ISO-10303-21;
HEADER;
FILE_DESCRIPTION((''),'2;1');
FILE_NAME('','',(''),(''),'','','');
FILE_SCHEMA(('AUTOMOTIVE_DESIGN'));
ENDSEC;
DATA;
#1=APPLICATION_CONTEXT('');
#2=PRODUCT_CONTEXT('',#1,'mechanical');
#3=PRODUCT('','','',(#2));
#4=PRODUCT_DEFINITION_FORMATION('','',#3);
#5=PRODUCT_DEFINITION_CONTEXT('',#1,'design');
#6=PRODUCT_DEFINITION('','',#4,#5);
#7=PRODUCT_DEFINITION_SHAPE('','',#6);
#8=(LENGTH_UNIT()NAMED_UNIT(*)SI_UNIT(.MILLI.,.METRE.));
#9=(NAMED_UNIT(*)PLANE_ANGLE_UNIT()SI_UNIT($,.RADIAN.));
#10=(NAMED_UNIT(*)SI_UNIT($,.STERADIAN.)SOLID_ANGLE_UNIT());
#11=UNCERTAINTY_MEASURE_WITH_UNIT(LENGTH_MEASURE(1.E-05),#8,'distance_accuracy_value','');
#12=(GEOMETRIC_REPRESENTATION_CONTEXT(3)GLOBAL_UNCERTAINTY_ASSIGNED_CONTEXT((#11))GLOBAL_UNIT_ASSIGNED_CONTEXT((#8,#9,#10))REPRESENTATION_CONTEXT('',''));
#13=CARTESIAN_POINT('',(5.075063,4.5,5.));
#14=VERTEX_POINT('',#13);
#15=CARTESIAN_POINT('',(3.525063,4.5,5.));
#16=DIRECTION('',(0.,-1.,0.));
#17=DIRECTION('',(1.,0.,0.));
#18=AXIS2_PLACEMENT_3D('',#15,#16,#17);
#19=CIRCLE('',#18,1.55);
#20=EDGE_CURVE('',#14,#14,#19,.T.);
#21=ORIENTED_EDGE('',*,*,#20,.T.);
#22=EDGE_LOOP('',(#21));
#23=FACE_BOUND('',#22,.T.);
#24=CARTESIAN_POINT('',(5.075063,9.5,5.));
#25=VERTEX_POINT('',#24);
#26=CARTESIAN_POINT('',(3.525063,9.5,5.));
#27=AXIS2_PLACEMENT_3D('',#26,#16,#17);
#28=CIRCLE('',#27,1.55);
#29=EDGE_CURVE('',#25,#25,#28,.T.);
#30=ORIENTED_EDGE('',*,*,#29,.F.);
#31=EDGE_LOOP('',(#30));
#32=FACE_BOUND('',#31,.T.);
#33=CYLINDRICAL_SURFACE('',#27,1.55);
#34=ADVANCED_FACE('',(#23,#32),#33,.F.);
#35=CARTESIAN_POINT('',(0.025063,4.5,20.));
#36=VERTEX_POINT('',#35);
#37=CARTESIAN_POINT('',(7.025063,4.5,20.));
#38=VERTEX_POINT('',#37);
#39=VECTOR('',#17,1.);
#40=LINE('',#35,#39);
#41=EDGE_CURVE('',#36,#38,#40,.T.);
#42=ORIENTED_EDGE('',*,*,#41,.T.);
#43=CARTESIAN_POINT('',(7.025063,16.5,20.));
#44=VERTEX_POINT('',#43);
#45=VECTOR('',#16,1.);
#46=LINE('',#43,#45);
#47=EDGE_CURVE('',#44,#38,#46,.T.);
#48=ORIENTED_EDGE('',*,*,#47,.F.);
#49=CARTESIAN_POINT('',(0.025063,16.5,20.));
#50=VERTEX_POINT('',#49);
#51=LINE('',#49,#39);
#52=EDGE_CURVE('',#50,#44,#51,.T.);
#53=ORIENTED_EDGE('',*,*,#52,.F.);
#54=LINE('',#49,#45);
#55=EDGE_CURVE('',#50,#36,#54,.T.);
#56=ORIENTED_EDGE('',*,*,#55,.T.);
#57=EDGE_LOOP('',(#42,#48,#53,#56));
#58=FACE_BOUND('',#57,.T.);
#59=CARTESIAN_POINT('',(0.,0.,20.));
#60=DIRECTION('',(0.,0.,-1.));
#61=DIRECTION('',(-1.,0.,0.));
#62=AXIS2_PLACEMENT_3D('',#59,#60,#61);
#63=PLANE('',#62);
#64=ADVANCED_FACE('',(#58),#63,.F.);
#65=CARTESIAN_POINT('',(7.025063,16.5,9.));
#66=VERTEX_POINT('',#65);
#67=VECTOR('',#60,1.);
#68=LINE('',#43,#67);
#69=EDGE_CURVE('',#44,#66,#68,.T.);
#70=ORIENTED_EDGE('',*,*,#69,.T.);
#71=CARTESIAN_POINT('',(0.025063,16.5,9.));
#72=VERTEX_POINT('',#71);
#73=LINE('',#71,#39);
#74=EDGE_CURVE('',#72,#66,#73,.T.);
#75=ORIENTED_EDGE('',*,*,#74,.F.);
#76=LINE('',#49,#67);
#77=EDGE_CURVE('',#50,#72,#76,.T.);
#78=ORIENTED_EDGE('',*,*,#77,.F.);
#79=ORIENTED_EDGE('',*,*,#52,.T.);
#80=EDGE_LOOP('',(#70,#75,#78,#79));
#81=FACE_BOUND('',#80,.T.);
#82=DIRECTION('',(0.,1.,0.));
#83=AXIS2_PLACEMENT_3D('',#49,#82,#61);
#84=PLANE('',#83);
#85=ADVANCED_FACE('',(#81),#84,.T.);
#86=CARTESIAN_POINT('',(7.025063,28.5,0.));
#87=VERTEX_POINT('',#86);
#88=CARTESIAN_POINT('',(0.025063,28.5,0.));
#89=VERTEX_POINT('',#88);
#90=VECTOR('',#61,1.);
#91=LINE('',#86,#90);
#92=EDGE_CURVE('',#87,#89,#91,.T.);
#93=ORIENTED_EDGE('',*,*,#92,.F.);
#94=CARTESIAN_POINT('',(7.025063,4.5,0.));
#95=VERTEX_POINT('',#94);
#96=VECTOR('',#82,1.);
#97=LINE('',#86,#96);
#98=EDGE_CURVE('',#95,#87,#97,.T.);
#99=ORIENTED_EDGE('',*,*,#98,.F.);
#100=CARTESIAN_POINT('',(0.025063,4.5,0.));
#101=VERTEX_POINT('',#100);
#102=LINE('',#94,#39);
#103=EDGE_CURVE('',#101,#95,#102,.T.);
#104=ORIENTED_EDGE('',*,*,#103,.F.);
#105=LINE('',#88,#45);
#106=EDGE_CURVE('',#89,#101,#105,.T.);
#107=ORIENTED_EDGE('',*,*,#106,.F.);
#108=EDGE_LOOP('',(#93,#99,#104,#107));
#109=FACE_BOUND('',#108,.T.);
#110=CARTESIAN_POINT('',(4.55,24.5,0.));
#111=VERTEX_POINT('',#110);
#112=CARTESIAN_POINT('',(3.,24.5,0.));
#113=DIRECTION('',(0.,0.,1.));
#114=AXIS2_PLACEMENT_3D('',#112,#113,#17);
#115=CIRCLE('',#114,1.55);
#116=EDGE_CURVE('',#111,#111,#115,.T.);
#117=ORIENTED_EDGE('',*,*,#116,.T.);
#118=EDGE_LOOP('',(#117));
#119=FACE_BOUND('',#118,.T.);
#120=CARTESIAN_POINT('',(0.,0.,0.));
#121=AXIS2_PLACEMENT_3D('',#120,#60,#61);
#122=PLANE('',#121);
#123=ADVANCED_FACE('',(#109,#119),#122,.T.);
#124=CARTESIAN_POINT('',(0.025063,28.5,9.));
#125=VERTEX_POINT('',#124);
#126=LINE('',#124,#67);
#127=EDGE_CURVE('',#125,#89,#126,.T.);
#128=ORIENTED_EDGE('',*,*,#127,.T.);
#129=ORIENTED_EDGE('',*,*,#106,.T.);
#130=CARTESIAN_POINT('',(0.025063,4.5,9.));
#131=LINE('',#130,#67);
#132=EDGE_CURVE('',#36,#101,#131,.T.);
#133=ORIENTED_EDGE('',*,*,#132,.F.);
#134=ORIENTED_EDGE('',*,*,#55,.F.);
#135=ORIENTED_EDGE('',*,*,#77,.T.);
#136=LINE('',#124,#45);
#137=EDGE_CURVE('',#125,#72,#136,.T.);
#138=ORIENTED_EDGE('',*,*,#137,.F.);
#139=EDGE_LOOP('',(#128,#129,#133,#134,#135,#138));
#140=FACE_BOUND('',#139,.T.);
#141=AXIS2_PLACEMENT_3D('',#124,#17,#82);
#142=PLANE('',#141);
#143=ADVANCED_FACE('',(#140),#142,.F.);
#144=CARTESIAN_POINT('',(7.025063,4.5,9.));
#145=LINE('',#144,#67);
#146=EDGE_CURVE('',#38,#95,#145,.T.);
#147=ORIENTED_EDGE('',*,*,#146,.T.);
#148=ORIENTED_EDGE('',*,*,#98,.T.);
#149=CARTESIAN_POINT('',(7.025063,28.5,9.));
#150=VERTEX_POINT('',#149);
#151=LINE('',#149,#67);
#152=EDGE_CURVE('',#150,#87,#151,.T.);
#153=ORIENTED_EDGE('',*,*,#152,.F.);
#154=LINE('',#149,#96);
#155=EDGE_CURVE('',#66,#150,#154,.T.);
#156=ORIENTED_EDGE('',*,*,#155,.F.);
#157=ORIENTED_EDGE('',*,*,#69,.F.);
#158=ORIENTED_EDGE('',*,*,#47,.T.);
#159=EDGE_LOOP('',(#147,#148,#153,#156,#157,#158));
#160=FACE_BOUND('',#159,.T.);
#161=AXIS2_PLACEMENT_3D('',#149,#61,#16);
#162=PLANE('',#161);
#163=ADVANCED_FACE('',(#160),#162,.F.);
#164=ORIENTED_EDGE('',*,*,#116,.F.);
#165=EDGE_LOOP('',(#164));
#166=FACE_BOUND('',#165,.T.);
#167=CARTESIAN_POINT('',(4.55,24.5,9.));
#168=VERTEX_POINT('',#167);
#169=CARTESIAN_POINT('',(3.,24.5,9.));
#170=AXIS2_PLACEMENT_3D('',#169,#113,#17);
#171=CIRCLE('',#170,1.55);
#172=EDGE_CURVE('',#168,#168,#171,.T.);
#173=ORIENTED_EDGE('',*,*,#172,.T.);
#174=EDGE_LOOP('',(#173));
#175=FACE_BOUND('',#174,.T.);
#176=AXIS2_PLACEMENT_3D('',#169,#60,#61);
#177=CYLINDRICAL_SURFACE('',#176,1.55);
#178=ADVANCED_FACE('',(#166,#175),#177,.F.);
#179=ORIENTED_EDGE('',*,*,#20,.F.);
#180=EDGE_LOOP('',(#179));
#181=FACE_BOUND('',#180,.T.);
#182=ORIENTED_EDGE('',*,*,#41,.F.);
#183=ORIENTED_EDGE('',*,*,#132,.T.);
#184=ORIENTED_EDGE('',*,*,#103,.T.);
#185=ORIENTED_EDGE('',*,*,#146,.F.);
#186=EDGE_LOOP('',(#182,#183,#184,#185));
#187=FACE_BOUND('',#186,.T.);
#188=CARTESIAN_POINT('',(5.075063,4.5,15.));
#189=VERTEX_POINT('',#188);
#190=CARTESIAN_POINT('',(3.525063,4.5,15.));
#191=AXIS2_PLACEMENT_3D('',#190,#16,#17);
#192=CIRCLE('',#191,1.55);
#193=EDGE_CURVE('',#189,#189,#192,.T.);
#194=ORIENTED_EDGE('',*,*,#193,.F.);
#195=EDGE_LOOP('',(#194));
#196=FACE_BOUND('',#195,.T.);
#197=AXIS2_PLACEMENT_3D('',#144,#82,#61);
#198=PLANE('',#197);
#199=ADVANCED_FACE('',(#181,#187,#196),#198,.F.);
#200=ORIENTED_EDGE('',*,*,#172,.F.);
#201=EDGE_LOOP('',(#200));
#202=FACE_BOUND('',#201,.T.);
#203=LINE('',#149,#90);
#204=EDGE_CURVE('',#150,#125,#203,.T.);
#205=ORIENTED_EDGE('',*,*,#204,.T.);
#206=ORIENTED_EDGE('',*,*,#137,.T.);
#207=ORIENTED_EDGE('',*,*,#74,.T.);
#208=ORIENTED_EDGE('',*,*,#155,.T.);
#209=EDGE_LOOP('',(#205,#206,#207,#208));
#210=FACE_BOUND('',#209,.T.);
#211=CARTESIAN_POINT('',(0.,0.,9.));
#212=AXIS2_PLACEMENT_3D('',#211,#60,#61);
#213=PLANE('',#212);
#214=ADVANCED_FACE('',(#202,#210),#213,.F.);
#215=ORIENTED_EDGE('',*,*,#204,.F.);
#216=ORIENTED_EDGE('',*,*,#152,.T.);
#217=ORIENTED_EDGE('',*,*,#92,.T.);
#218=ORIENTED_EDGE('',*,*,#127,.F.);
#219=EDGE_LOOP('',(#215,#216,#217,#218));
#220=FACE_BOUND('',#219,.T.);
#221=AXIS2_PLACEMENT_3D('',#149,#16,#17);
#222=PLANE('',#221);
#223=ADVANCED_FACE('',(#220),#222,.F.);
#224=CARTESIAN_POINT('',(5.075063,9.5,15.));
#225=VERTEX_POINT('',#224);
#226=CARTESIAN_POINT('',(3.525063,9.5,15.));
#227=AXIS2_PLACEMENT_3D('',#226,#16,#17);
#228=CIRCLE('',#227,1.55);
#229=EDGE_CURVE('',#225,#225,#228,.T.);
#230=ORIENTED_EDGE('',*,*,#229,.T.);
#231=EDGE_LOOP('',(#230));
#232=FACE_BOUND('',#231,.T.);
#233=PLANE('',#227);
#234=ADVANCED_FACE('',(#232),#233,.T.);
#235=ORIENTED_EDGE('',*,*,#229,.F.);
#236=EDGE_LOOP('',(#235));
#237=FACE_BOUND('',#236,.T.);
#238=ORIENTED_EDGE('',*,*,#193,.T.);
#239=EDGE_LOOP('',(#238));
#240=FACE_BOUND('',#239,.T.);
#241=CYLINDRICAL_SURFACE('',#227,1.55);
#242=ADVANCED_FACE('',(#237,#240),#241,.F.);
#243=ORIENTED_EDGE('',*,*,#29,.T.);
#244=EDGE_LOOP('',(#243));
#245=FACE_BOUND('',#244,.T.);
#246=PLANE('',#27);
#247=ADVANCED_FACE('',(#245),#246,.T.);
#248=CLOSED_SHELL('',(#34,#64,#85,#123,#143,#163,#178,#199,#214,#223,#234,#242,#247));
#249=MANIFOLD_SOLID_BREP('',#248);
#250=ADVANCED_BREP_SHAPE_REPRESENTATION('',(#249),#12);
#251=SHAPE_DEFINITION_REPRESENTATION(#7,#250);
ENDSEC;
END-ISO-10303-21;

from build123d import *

# Parameters (mm, degrees)
SKETCH_1_W          = 7
SKETCH_1_H          = 24
SKETCH_1_R          = 1.55
EXTRUDE_1_DEPTH     = 9
SKETCH_2_W          = 7
SKETCH_2_H          = 12
EXTRUDE_2_DEPTH     = 11
SKETCH_3_R          = 1.55
CUT_EXTRUDE_1_DEPTH = 5


with BuildPart() as part:
    # 草图1 → 凸台-拉伸1 (new body)
    with BuildSketch(Plane.XY):
        with Locations((3.525062814, 16.5)):
            Rectangle(SKETCH_1_W, SKETCH_1_H)
        with Locations((3, 24.5)):
            Circle(SKETCH_1_R, mode=Mode.SUBTRACT)
    extrude(amount=EXTRUDE_1_DEPTH)

    # 草图2 → 凸台-拉伸2 (add)
    with BuildSketch(Plane.XY.offset(9)):
        with Locations((3.525062814, 10.5)):
            Rectangle(SKETCH_2_W, SKETCH_2_H)
    extrude(amount=EXTRUDE_2_DEPTH)

    # 草图3 → 切除-拉伸1 (cut)
    with BuildSketch(Plane(origin=(0, 4.5, 0), x_dir=(-1, 0, 0), z_dir=(0, -1, 0))):
        with Locations(Location((-3.525062814, -5, 0), (0, 0, 180))):
            Circle(SKETCH_3_R)
        with Locations(Location((-3.525062814, -15, 0), (0, 0, 180))):
            Circle(SKETCH_3_R)
    extrude(amount=-CUT_EXTRUDE_1_DEPTH, mode=Mode.SUBTRACT)


solid = part.part
